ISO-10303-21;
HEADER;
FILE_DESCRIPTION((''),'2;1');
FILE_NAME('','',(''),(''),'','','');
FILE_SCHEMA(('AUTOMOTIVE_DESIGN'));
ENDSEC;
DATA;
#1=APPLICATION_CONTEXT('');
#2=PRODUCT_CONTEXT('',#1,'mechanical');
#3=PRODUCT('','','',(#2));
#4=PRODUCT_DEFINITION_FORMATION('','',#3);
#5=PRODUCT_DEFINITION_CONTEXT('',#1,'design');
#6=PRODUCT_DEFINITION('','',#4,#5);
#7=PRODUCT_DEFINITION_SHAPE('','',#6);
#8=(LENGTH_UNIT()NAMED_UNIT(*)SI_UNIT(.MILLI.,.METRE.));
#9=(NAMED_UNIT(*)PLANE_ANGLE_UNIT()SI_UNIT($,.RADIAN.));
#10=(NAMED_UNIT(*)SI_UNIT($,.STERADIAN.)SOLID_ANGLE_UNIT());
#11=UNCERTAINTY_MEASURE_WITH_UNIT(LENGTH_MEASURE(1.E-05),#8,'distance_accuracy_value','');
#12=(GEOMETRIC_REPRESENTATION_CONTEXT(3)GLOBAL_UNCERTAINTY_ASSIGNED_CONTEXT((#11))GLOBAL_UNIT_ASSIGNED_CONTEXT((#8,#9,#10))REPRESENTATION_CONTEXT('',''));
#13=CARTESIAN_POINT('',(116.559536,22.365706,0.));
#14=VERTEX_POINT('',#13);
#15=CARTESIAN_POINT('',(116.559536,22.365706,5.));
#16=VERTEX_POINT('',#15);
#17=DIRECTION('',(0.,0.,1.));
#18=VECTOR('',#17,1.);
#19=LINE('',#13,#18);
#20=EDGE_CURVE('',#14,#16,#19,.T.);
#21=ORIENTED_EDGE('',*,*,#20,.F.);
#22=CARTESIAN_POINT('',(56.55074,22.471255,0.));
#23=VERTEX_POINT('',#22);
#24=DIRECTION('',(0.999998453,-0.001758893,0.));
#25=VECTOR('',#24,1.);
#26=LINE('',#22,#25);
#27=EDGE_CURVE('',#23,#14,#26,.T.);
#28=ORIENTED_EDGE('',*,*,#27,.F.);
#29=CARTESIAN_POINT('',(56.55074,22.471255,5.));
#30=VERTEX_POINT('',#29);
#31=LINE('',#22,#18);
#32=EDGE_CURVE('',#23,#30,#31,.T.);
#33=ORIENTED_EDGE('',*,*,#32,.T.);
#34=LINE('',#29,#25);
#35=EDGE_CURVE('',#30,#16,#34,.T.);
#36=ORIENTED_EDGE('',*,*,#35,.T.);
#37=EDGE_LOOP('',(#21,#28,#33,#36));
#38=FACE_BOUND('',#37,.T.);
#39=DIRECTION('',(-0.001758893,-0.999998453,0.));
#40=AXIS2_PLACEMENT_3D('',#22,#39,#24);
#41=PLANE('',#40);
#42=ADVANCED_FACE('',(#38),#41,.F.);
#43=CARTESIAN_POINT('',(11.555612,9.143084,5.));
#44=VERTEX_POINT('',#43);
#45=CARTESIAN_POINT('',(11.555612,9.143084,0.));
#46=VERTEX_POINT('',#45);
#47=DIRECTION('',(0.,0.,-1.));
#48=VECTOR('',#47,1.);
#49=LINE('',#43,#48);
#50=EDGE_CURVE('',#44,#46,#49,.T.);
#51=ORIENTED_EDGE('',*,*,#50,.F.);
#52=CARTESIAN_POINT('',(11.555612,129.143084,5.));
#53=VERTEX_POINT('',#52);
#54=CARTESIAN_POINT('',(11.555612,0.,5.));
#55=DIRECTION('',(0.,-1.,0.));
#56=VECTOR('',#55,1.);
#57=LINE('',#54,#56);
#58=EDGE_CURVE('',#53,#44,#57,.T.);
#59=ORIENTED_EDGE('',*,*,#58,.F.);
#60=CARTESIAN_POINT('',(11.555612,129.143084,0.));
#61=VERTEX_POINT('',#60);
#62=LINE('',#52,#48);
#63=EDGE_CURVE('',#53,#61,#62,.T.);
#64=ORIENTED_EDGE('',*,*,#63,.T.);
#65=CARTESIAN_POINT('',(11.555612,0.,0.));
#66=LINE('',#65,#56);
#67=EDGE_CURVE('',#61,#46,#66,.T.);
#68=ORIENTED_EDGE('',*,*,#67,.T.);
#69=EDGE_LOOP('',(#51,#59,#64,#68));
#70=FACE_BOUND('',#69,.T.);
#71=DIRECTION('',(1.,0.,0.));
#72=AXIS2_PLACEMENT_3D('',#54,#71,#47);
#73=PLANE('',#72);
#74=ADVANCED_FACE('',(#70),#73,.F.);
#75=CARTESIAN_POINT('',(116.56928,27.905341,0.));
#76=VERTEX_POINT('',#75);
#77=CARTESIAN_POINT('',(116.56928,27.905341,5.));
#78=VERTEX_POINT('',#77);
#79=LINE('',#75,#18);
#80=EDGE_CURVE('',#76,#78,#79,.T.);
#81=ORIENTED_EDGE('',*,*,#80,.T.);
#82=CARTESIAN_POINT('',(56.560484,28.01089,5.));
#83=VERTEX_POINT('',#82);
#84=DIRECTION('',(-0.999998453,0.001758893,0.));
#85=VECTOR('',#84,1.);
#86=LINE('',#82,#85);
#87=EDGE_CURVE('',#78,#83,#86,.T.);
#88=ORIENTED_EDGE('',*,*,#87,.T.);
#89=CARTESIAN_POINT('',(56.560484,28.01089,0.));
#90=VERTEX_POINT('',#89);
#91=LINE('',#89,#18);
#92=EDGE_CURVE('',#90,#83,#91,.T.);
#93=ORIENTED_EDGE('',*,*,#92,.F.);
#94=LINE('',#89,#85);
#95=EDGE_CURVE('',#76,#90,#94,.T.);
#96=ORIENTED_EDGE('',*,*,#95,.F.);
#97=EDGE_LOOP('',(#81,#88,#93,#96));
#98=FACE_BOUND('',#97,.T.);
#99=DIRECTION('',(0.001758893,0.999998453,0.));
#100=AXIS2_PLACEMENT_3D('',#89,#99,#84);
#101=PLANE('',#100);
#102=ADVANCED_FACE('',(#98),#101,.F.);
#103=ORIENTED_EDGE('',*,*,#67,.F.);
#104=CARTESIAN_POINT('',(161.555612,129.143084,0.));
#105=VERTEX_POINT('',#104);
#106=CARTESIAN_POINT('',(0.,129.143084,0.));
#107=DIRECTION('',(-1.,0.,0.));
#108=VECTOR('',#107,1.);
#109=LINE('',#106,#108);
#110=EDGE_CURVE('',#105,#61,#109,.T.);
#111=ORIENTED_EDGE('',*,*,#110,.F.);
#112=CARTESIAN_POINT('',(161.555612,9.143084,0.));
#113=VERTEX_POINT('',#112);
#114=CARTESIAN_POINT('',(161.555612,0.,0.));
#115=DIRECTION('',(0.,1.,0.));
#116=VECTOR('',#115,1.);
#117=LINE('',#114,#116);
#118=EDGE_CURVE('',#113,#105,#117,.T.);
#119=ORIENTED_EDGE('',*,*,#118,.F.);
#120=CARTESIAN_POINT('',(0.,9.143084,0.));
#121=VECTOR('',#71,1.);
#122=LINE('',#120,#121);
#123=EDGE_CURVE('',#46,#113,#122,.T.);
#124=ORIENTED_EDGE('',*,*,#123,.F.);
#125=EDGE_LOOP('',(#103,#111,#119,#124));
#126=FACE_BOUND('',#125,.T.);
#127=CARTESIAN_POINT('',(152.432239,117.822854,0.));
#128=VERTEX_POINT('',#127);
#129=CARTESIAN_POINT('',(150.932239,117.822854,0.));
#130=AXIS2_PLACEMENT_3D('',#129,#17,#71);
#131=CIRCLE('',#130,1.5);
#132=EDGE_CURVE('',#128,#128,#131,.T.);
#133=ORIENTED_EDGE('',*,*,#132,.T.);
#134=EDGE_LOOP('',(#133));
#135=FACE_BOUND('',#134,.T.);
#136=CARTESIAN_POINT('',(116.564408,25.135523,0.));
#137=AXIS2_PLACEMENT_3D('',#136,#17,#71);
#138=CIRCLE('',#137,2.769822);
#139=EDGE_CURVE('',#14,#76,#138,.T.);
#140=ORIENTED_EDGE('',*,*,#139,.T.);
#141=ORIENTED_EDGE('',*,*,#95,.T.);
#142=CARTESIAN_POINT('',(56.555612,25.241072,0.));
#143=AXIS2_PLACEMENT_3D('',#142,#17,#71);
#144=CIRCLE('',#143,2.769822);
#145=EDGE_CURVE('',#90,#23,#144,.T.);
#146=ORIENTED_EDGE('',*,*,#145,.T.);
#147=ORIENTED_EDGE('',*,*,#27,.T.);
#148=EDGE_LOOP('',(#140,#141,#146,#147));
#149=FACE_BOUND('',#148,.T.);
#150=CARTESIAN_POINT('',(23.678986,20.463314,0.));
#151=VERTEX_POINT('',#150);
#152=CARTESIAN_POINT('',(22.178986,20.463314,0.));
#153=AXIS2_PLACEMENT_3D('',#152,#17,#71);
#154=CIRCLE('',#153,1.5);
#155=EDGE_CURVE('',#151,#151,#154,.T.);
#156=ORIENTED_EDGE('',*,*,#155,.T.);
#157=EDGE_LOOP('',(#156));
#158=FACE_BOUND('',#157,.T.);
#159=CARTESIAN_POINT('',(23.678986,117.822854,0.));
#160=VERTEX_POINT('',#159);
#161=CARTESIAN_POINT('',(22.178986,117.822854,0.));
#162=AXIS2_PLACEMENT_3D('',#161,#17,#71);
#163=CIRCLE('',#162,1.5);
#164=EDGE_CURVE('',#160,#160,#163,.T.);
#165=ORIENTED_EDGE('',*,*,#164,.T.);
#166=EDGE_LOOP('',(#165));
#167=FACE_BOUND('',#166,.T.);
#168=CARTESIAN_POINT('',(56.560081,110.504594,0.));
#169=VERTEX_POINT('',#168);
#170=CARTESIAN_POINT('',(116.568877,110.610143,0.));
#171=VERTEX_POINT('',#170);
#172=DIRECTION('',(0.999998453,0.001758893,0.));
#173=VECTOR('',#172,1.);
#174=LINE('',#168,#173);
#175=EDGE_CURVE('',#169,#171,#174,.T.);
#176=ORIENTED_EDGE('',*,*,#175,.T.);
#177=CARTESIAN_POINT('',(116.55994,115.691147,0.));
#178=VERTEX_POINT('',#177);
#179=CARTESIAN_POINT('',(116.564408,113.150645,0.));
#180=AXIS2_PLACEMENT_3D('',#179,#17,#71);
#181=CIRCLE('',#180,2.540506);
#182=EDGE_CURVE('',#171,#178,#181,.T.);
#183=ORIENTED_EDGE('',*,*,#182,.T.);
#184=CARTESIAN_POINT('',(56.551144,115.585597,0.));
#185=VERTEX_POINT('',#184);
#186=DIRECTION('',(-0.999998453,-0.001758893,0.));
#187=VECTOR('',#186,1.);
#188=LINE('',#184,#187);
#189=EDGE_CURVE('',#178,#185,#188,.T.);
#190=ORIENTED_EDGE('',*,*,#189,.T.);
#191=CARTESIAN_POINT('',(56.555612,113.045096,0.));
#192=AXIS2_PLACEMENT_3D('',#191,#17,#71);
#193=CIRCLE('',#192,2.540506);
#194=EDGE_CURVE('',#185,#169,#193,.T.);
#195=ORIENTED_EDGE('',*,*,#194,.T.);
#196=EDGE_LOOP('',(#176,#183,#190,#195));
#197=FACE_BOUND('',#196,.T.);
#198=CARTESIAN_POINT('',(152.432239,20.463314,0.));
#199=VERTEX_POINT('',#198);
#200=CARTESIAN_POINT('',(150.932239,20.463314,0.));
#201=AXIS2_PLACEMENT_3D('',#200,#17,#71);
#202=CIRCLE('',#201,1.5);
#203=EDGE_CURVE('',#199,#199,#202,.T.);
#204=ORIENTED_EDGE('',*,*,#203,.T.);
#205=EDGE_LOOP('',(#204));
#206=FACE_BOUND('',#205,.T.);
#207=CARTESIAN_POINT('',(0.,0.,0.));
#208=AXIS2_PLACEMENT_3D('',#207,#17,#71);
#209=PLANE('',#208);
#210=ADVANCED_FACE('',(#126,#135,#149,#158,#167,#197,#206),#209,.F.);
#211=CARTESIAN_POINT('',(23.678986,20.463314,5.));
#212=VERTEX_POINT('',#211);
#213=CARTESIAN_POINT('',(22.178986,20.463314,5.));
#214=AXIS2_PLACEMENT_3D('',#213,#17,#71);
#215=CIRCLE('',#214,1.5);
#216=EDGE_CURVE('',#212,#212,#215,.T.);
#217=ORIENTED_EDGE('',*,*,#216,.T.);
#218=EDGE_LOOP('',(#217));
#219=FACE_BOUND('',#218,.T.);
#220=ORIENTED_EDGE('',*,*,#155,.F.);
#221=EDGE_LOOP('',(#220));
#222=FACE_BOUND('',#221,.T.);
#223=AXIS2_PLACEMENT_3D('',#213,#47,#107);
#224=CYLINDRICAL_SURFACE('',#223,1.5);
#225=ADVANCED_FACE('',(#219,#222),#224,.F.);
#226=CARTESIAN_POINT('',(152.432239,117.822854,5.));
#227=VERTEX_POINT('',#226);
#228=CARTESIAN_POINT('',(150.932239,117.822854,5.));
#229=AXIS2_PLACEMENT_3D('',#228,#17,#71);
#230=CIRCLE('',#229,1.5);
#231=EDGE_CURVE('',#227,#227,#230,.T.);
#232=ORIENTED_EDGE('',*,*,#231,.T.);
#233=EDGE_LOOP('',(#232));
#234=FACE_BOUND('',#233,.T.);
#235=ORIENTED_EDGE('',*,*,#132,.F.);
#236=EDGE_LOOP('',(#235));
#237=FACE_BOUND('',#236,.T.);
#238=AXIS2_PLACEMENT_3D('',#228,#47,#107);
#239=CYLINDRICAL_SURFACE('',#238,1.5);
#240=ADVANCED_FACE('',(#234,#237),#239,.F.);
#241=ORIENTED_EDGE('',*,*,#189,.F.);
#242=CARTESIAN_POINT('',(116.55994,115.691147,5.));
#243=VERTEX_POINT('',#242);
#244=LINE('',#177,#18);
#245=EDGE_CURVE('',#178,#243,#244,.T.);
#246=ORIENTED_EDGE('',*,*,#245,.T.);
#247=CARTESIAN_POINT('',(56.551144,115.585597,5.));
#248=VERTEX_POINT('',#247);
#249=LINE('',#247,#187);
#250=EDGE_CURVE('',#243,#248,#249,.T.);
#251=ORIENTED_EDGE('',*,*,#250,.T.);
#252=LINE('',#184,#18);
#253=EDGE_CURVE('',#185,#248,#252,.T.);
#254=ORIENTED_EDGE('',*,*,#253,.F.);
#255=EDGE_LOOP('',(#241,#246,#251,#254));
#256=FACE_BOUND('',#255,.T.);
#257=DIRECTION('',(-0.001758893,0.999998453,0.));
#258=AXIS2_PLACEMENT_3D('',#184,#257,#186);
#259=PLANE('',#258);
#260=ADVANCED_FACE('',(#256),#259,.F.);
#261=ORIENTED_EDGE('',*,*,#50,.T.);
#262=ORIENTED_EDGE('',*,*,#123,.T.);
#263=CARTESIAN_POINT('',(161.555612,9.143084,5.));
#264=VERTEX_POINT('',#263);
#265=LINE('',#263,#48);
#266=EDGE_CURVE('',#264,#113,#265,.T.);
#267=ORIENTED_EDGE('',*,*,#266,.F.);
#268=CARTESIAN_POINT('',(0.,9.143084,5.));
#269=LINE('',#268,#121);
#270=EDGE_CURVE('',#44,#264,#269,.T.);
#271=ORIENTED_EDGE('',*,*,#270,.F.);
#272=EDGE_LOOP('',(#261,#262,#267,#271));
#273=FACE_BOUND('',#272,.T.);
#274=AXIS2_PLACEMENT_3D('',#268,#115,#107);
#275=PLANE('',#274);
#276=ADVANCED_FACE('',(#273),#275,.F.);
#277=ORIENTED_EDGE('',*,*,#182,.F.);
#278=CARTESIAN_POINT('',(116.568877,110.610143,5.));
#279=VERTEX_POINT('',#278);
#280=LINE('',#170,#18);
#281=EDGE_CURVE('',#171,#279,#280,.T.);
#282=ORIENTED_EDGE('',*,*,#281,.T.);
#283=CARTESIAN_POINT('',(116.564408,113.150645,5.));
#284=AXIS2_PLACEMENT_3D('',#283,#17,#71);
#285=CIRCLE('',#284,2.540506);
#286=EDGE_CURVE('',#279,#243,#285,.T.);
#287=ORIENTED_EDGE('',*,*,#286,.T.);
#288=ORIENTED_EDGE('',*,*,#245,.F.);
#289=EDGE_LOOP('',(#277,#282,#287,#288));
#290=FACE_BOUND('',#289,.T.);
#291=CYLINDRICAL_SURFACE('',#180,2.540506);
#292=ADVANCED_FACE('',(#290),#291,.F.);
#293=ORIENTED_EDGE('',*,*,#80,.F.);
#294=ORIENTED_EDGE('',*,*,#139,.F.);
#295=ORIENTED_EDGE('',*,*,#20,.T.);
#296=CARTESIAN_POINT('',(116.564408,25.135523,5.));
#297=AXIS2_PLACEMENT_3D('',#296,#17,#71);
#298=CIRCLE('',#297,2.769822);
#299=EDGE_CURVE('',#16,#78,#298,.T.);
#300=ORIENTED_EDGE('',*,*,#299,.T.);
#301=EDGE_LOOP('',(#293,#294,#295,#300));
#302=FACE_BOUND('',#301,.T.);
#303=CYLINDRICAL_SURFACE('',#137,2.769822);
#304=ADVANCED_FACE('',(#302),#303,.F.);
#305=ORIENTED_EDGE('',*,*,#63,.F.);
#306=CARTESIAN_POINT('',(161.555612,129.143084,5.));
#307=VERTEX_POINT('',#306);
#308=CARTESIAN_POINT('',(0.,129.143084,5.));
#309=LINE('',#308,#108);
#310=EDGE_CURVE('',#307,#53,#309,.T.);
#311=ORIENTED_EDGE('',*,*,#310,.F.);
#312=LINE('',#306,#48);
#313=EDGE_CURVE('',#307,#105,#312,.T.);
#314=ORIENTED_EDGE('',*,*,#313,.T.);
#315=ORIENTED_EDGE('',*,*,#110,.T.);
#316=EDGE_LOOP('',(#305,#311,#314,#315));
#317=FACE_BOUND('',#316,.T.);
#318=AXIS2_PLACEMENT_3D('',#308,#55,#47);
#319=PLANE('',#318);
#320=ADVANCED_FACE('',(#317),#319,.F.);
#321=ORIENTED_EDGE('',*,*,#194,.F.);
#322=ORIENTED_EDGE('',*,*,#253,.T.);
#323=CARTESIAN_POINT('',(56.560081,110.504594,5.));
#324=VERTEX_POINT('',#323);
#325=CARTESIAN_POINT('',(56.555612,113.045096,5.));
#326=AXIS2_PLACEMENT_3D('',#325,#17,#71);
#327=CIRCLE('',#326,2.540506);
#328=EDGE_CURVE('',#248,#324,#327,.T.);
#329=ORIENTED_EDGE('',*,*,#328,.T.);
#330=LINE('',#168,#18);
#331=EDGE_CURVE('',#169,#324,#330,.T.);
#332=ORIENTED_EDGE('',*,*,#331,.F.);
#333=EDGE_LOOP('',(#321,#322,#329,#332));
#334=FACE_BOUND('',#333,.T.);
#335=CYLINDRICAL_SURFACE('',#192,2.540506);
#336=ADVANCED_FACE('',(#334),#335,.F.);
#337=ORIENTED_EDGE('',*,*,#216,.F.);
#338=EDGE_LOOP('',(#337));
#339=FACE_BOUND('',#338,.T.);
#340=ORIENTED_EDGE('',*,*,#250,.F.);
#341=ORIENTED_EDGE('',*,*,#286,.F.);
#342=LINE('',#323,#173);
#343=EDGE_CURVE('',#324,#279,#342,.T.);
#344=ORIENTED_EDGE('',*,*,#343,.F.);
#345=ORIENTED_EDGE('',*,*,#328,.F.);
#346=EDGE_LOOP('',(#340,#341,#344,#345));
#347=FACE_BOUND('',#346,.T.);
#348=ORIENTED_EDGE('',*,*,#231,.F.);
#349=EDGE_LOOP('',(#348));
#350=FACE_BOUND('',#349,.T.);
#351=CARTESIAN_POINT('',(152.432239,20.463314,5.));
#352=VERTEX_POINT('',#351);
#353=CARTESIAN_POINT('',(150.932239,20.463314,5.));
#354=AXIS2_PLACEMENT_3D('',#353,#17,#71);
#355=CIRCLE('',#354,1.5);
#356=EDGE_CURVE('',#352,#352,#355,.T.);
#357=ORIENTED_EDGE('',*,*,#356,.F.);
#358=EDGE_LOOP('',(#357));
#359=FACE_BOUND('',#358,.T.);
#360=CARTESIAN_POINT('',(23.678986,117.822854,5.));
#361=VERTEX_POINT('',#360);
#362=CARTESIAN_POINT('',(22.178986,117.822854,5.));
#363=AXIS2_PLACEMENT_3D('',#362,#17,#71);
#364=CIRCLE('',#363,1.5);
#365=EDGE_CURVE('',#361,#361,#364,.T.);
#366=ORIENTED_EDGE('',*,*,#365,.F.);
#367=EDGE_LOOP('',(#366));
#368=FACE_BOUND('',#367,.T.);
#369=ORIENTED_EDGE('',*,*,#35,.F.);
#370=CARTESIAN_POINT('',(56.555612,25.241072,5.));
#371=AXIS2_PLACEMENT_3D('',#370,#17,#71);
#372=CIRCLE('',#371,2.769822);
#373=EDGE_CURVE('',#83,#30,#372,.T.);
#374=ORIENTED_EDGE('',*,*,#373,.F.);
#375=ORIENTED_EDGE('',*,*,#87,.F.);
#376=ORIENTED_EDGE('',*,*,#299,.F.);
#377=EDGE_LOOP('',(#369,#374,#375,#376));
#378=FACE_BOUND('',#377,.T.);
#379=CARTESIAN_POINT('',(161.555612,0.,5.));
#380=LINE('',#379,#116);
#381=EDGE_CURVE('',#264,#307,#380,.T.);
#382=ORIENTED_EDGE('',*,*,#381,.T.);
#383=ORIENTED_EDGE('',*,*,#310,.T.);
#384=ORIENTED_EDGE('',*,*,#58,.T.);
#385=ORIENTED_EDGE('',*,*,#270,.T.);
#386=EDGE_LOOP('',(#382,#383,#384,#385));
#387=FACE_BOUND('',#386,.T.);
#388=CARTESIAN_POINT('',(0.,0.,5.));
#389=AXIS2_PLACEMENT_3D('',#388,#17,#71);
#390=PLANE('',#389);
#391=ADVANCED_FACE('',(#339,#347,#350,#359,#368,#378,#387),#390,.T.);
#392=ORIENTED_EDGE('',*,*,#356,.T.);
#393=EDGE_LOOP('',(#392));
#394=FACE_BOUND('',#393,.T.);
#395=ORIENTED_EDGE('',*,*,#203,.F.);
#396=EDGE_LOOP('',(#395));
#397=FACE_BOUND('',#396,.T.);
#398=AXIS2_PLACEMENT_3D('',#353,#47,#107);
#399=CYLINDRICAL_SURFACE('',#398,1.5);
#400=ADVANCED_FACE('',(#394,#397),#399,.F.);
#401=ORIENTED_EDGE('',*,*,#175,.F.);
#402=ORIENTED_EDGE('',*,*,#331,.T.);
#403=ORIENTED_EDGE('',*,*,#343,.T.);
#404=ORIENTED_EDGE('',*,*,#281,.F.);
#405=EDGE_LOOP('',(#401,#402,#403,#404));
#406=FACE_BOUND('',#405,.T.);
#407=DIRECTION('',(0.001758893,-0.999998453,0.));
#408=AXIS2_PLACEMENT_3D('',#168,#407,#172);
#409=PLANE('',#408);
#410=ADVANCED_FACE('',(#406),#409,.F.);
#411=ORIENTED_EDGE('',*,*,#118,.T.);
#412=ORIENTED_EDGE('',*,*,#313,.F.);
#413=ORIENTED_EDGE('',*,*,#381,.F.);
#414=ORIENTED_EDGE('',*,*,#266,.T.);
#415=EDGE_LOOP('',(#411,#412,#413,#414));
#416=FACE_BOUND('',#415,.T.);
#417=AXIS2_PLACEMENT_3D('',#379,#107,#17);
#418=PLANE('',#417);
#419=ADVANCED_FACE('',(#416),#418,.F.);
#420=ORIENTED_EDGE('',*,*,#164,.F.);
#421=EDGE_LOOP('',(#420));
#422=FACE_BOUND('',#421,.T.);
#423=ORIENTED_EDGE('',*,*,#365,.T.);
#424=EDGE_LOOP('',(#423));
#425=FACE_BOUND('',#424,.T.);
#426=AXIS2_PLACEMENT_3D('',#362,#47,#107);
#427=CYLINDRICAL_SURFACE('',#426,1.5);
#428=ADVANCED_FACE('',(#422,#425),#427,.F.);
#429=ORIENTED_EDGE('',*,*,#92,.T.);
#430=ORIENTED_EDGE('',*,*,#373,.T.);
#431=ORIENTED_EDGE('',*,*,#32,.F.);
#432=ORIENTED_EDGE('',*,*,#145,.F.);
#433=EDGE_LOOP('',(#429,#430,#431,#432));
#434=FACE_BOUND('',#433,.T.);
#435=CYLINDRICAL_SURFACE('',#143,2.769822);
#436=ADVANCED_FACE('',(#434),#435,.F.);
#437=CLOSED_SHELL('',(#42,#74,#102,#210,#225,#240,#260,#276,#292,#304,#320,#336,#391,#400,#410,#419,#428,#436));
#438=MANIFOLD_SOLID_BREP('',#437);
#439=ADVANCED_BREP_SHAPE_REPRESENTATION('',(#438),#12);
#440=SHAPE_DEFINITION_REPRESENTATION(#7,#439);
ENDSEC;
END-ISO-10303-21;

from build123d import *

# Parameters (mm, degrees)
MODEL_W             = 150
MODEL_H             = 120
MODEL_R             = 1.5
BOSS_EXTRUDE1_DEPTH = 5
CUT_EXTRUDE1_DEPTH  = 207.889226408


with BuildPart() as part:
    # Model → Boss-Extrude1 (new body)
    with BuildSketch(Plane.XY):
        with Locations((86.555612284, 69.143083993)):
            Rectangle(MODEL_W, MODEL_H)
        with Locations((22.178986017, 117.822854057)):
            Circle(MODEL_R, mode=Mode.SUBTRACT)
        with Locations((150.932238551, 117.822854057)):
            Circle(MODEL_R, mode=Mode.SUBTRACT)
        with Locations((22.178986017, 20.46331393)):
            Circle(MODEL_R, mode=Mode.SUBTRACT)
        with Locations((150.932238551, 20.46331393)):
            Circle(MODEL_R, mode=Mode.SUBTRACT)
    extrude(amount=BOSS_EXTRUDE1_DEPTH)

    # Sketch2 → Cut-Extrude1 (cut, through all)
    with BuildSketch(Plane.XY.offset(5)):
        with BuildLine():
            Line((56.551143806, 115.585597336), (116.559939574, 115.69114655))
            ThreePointArc((116.559939574, 115.69114655), (119.104909718, 113.155113361), (116.568876529, 110.610143217))
            Line((116.568876529, 110.610143217), (56.560080761, 110.504594003))
            ThreePointArc((56.560080761, 110.504594003), (54.015110617, 113.040627192), (56.551143806, 115.585597336))
        make_face()
        with BuildLine():
            Line((56.560484104, 28.010889901), (116.569279872, 27.905340687))
            ThreePointArc((116.569279872, 27.905340687), (119.334225635, 25.130651283), (116.559536231, 22.36570552))
            Line((116.559536231, 22.36570552), (56.550740464, 22.471254734))
            ThreePointArc((56.550740464, 22.471254734), (53.7857947, 25.245944138), (56.560484104, 28.010889901))
        make_face()
    extrude(amount=-CUT_EXTRUDE1_DEPTH, mode=Mode.SUBTRACT)


solid = part.part
